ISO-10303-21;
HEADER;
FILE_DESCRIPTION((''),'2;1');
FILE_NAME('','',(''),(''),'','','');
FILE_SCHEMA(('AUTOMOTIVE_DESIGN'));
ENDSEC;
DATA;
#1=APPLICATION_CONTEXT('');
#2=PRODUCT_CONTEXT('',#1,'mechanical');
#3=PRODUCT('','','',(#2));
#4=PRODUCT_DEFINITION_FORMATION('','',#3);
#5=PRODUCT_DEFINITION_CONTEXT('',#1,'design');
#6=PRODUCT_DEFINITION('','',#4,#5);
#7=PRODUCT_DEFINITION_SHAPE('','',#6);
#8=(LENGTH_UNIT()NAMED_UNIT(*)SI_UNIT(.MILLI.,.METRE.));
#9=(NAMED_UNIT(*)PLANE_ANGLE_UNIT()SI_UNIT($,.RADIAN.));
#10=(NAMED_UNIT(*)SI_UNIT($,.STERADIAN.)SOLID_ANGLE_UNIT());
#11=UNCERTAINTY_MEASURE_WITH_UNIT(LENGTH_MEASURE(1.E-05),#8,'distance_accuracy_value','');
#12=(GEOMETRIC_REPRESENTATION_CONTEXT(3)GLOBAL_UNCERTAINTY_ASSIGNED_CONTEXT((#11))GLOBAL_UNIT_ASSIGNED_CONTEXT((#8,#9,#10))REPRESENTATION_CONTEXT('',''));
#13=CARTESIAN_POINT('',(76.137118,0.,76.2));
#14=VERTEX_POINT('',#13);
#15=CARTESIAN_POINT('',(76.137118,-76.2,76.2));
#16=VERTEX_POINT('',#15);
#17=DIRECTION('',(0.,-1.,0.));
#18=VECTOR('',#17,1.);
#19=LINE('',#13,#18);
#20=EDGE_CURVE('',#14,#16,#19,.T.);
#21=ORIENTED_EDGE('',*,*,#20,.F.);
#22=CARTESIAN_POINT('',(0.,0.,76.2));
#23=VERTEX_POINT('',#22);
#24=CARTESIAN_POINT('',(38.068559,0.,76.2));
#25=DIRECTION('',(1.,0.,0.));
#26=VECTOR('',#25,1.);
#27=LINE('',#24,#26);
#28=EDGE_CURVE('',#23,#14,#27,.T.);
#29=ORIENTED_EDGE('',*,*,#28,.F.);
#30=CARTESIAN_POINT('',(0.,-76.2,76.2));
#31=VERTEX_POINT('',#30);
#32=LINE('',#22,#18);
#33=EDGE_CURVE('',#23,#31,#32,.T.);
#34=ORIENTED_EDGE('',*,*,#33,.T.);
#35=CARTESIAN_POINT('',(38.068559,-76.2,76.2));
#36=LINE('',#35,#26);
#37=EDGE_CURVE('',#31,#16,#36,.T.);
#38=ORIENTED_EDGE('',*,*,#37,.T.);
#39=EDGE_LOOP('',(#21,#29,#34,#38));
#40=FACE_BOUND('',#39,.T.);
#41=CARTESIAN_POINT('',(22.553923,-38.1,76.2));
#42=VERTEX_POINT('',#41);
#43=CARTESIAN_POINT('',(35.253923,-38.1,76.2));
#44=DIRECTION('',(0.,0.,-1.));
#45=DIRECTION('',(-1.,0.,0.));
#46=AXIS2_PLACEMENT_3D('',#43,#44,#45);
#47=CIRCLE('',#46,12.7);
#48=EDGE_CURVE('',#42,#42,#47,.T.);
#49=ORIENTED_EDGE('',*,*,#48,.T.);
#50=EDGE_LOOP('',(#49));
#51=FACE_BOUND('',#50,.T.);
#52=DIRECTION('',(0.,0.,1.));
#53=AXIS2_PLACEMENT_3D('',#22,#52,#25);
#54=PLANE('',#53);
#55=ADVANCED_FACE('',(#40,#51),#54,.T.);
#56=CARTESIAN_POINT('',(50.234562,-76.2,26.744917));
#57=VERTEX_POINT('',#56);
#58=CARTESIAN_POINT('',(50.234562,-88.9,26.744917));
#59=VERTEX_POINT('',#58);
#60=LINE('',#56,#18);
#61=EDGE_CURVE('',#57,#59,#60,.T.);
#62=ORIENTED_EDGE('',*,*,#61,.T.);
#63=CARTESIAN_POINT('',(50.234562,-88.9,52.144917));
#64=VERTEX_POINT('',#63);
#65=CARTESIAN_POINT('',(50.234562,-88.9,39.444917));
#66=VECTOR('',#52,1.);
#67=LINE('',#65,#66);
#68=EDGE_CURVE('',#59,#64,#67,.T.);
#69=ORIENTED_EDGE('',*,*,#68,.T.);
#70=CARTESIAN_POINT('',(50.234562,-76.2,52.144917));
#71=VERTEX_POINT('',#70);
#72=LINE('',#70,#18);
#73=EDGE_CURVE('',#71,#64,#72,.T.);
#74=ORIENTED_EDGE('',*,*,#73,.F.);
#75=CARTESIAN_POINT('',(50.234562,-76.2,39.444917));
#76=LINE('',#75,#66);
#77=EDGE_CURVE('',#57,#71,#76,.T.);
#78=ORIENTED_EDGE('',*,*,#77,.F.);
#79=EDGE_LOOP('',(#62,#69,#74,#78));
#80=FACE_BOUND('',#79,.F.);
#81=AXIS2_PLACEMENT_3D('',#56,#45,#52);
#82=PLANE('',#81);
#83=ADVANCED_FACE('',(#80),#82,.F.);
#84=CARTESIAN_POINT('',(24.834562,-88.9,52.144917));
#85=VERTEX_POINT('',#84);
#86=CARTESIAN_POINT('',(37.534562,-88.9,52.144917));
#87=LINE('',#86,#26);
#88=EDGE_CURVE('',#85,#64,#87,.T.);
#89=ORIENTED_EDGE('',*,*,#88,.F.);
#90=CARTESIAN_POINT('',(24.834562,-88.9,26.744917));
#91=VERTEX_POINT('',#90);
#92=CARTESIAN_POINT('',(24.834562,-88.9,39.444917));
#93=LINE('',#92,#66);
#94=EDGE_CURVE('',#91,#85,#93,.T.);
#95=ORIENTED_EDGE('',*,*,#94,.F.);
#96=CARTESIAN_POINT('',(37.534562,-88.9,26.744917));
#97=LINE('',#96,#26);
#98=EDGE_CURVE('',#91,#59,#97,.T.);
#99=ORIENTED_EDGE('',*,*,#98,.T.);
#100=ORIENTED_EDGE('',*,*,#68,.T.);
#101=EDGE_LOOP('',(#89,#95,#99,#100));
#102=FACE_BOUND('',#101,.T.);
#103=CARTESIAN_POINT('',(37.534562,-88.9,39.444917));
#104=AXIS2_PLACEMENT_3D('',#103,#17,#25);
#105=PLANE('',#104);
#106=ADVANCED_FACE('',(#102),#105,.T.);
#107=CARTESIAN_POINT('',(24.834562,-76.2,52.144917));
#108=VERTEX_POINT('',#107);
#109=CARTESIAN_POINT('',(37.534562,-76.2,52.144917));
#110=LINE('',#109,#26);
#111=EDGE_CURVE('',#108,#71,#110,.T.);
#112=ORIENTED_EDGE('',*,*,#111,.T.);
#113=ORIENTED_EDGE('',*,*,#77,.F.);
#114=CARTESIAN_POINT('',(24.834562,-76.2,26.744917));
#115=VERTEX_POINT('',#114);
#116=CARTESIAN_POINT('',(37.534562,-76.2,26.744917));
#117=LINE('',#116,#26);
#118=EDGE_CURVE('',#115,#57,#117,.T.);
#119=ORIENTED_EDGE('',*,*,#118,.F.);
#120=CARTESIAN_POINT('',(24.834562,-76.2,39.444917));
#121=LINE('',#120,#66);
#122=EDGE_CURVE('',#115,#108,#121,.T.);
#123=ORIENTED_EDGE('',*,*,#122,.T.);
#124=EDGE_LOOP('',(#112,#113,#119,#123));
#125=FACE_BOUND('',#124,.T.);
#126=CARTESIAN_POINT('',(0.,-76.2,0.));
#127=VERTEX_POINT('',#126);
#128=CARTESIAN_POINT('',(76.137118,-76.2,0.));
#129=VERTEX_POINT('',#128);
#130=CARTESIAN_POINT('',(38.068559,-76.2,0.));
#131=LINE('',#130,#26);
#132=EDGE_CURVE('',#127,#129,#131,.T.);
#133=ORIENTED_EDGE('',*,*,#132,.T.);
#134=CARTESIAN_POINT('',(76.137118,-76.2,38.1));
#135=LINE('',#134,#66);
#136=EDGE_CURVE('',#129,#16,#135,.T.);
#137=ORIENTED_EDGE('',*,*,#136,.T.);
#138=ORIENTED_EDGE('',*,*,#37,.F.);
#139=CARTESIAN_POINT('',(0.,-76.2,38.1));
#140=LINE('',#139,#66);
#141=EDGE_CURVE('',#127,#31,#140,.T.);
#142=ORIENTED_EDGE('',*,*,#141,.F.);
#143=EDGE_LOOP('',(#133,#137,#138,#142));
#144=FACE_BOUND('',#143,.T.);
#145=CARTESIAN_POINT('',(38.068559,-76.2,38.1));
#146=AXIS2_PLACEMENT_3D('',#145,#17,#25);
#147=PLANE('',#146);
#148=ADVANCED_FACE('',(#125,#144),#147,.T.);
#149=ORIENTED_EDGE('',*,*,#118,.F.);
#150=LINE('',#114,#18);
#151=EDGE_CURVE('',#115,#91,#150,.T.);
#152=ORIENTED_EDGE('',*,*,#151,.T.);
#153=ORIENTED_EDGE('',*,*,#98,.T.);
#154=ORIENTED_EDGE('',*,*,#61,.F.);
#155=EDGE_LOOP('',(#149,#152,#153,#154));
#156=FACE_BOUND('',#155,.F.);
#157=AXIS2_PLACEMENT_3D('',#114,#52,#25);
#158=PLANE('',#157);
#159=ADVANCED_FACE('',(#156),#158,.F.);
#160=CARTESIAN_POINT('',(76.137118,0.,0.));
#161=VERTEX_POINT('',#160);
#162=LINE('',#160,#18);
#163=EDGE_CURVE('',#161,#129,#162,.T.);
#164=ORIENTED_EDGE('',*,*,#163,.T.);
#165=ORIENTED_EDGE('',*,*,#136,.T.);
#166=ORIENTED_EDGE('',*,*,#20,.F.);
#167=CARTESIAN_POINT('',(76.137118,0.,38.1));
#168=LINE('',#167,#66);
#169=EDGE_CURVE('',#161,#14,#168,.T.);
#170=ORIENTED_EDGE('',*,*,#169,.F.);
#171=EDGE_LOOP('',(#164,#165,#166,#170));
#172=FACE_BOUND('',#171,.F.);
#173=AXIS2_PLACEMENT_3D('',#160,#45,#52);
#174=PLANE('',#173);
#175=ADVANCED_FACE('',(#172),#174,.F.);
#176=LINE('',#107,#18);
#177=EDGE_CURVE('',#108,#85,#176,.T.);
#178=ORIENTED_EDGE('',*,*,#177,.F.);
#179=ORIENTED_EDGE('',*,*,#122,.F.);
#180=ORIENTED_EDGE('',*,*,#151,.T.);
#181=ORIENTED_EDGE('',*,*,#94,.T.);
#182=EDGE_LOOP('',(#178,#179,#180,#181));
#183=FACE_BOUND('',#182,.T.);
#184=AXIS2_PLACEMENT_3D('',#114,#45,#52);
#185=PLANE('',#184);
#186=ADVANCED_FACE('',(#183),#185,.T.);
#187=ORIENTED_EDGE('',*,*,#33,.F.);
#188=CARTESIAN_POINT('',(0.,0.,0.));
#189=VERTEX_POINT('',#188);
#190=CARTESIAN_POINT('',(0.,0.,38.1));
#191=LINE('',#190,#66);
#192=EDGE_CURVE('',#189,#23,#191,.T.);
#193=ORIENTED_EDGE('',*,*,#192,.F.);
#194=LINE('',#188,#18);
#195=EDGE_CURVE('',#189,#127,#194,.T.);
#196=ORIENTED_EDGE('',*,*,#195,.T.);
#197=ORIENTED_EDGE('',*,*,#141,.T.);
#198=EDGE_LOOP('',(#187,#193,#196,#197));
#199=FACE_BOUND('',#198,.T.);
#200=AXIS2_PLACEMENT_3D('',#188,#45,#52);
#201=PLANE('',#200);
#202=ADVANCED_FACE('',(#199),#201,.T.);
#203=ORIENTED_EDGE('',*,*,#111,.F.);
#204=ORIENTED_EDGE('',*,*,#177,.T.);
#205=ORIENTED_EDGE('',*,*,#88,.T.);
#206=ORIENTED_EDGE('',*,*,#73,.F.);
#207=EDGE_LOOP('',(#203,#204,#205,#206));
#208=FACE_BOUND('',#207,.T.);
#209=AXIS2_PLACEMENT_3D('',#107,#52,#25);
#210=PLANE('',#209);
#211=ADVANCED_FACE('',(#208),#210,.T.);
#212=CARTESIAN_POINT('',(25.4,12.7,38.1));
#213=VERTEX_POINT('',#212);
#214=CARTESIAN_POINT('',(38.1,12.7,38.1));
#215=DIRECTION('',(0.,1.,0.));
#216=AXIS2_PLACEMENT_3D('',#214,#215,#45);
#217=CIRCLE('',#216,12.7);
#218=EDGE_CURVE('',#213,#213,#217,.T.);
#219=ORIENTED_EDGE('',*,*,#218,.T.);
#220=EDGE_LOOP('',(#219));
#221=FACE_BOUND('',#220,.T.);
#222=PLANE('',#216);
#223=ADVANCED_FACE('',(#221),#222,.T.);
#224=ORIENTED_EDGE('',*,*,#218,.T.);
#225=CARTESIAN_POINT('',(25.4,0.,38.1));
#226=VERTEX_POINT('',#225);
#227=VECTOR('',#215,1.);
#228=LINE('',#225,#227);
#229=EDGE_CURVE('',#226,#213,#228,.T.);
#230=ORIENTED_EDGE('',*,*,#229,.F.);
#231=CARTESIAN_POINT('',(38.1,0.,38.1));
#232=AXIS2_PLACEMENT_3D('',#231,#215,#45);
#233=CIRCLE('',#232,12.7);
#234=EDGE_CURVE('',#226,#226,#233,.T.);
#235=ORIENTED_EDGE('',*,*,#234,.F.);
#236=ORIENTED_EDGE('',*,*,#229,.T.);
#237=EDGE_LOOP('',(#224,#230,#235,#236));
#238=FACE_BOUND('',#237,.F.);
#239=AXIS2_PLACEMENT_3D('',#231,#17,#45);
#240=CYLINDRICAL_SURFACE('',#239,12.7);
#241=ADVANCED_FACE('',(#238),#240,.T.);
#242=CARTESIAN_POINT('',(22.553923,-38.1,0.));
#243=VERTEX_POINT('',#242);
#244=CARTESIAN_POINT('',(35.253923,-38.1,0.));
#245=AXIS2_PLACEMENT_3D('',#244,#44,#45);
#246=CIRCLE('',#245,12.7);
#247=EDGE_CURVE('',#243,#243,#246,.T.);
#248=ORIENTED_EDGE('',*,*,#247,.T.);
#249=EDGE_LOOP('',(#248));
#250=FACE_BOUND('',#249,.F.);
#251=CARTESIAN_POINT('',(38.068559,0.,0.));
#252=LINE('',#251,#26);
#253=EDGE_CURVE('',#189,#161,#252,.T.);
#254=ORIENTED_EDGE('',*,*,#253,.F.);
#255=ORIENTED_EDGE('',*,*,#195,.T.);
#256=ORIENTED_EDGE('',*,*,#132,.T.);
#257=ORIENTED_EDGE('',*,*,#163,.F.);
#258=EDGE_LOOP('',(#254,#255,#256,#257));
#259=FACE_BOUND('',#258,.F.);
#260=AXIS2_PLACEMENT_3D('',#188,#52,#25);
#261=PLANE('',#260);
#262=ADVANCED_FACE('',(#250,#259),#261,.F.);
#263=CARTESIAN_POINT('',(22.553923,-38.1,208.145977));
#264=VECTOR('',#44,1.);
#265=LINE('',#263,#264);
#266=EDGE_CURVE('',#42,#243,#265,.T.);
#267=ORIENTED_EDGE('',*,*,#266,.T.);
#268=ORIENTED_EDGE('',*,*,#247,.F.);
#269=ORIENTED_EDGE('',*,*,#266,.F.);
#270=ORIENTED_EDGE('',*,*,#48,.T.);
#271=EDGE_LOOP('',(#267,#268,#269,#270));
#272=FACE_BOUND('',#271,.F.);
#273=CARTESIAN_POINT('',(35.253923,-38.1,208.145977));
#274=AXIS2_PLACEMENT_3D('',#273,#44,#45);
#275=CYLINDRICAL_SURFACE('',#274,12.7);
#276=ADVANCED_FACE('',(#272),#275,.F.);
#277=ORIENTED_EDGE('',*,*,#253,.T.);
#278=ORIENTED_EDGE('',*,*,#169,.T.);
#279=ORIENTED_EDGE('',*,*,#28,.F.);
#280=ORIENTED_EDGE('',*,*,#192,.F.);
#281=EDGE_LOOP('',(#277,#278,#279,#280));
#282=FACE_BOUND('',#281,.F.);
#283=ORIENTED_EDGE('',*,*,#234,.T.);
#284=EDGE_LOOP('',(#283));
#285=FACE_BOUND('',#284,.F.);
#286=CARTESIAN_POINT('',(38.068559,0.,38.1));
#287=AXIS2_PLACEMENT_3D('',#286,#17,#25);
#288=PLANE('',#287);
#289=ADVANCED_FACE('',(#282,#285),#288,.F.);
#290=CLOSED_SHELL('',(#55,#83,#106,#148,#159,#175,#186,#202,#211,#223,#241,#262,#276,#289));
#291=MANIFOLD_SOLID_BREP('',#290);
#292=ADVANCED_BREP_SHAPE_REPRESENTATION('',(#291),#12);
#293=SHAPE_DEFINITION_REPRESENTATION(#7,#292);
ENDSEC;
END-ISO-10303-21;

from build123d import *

# Parameters (mm, degrees)
F0_W     = 76.137118
F0_H     = 76.2
F1_DEPTH = 76.2
F4_D     = 25.4
F2_W     = 25.4
F2_H     = 25.4
F5_DEPTH = 12.7
F6_R     = 12.7
F7_DEPTH = 12.7


with BuildPart() as f1:
    # F0 (on Front) → F1 (new body)
    with BuildSketch(Plane.XZ):
        with Locations((38.068559, 38.1)):
            Rectangle(F0_W, F0_H)
    extrude(amount=F1_DEPTH)

    # F4 (through all)
    with Locations(Plane.XY.offset(76.2)):
        with Locations((35.253923, -38.1)):
            Hole(F4_D / 2)

    # F2 (on face) → F5 (join)
    with BuildSketch(Plane.XZ.offset(76.2)):
        with Locations((37.534562, 39.444917)):
            Rectangle(F2_W, F2_H)
    extrude(amount=F5_DEPTH)

    # F6 (on face) → F7 (join)
    with BuildSketch(Plane(origin=(0, 0, 0), x_dir=(-1, 0, 0), z_dir=(0, 1, 0))):
        with Locations((-38.1, 38.1)):
            Circle(F6_R)
    extrude(amount=F7_DEPTH)


solid = f1.part
